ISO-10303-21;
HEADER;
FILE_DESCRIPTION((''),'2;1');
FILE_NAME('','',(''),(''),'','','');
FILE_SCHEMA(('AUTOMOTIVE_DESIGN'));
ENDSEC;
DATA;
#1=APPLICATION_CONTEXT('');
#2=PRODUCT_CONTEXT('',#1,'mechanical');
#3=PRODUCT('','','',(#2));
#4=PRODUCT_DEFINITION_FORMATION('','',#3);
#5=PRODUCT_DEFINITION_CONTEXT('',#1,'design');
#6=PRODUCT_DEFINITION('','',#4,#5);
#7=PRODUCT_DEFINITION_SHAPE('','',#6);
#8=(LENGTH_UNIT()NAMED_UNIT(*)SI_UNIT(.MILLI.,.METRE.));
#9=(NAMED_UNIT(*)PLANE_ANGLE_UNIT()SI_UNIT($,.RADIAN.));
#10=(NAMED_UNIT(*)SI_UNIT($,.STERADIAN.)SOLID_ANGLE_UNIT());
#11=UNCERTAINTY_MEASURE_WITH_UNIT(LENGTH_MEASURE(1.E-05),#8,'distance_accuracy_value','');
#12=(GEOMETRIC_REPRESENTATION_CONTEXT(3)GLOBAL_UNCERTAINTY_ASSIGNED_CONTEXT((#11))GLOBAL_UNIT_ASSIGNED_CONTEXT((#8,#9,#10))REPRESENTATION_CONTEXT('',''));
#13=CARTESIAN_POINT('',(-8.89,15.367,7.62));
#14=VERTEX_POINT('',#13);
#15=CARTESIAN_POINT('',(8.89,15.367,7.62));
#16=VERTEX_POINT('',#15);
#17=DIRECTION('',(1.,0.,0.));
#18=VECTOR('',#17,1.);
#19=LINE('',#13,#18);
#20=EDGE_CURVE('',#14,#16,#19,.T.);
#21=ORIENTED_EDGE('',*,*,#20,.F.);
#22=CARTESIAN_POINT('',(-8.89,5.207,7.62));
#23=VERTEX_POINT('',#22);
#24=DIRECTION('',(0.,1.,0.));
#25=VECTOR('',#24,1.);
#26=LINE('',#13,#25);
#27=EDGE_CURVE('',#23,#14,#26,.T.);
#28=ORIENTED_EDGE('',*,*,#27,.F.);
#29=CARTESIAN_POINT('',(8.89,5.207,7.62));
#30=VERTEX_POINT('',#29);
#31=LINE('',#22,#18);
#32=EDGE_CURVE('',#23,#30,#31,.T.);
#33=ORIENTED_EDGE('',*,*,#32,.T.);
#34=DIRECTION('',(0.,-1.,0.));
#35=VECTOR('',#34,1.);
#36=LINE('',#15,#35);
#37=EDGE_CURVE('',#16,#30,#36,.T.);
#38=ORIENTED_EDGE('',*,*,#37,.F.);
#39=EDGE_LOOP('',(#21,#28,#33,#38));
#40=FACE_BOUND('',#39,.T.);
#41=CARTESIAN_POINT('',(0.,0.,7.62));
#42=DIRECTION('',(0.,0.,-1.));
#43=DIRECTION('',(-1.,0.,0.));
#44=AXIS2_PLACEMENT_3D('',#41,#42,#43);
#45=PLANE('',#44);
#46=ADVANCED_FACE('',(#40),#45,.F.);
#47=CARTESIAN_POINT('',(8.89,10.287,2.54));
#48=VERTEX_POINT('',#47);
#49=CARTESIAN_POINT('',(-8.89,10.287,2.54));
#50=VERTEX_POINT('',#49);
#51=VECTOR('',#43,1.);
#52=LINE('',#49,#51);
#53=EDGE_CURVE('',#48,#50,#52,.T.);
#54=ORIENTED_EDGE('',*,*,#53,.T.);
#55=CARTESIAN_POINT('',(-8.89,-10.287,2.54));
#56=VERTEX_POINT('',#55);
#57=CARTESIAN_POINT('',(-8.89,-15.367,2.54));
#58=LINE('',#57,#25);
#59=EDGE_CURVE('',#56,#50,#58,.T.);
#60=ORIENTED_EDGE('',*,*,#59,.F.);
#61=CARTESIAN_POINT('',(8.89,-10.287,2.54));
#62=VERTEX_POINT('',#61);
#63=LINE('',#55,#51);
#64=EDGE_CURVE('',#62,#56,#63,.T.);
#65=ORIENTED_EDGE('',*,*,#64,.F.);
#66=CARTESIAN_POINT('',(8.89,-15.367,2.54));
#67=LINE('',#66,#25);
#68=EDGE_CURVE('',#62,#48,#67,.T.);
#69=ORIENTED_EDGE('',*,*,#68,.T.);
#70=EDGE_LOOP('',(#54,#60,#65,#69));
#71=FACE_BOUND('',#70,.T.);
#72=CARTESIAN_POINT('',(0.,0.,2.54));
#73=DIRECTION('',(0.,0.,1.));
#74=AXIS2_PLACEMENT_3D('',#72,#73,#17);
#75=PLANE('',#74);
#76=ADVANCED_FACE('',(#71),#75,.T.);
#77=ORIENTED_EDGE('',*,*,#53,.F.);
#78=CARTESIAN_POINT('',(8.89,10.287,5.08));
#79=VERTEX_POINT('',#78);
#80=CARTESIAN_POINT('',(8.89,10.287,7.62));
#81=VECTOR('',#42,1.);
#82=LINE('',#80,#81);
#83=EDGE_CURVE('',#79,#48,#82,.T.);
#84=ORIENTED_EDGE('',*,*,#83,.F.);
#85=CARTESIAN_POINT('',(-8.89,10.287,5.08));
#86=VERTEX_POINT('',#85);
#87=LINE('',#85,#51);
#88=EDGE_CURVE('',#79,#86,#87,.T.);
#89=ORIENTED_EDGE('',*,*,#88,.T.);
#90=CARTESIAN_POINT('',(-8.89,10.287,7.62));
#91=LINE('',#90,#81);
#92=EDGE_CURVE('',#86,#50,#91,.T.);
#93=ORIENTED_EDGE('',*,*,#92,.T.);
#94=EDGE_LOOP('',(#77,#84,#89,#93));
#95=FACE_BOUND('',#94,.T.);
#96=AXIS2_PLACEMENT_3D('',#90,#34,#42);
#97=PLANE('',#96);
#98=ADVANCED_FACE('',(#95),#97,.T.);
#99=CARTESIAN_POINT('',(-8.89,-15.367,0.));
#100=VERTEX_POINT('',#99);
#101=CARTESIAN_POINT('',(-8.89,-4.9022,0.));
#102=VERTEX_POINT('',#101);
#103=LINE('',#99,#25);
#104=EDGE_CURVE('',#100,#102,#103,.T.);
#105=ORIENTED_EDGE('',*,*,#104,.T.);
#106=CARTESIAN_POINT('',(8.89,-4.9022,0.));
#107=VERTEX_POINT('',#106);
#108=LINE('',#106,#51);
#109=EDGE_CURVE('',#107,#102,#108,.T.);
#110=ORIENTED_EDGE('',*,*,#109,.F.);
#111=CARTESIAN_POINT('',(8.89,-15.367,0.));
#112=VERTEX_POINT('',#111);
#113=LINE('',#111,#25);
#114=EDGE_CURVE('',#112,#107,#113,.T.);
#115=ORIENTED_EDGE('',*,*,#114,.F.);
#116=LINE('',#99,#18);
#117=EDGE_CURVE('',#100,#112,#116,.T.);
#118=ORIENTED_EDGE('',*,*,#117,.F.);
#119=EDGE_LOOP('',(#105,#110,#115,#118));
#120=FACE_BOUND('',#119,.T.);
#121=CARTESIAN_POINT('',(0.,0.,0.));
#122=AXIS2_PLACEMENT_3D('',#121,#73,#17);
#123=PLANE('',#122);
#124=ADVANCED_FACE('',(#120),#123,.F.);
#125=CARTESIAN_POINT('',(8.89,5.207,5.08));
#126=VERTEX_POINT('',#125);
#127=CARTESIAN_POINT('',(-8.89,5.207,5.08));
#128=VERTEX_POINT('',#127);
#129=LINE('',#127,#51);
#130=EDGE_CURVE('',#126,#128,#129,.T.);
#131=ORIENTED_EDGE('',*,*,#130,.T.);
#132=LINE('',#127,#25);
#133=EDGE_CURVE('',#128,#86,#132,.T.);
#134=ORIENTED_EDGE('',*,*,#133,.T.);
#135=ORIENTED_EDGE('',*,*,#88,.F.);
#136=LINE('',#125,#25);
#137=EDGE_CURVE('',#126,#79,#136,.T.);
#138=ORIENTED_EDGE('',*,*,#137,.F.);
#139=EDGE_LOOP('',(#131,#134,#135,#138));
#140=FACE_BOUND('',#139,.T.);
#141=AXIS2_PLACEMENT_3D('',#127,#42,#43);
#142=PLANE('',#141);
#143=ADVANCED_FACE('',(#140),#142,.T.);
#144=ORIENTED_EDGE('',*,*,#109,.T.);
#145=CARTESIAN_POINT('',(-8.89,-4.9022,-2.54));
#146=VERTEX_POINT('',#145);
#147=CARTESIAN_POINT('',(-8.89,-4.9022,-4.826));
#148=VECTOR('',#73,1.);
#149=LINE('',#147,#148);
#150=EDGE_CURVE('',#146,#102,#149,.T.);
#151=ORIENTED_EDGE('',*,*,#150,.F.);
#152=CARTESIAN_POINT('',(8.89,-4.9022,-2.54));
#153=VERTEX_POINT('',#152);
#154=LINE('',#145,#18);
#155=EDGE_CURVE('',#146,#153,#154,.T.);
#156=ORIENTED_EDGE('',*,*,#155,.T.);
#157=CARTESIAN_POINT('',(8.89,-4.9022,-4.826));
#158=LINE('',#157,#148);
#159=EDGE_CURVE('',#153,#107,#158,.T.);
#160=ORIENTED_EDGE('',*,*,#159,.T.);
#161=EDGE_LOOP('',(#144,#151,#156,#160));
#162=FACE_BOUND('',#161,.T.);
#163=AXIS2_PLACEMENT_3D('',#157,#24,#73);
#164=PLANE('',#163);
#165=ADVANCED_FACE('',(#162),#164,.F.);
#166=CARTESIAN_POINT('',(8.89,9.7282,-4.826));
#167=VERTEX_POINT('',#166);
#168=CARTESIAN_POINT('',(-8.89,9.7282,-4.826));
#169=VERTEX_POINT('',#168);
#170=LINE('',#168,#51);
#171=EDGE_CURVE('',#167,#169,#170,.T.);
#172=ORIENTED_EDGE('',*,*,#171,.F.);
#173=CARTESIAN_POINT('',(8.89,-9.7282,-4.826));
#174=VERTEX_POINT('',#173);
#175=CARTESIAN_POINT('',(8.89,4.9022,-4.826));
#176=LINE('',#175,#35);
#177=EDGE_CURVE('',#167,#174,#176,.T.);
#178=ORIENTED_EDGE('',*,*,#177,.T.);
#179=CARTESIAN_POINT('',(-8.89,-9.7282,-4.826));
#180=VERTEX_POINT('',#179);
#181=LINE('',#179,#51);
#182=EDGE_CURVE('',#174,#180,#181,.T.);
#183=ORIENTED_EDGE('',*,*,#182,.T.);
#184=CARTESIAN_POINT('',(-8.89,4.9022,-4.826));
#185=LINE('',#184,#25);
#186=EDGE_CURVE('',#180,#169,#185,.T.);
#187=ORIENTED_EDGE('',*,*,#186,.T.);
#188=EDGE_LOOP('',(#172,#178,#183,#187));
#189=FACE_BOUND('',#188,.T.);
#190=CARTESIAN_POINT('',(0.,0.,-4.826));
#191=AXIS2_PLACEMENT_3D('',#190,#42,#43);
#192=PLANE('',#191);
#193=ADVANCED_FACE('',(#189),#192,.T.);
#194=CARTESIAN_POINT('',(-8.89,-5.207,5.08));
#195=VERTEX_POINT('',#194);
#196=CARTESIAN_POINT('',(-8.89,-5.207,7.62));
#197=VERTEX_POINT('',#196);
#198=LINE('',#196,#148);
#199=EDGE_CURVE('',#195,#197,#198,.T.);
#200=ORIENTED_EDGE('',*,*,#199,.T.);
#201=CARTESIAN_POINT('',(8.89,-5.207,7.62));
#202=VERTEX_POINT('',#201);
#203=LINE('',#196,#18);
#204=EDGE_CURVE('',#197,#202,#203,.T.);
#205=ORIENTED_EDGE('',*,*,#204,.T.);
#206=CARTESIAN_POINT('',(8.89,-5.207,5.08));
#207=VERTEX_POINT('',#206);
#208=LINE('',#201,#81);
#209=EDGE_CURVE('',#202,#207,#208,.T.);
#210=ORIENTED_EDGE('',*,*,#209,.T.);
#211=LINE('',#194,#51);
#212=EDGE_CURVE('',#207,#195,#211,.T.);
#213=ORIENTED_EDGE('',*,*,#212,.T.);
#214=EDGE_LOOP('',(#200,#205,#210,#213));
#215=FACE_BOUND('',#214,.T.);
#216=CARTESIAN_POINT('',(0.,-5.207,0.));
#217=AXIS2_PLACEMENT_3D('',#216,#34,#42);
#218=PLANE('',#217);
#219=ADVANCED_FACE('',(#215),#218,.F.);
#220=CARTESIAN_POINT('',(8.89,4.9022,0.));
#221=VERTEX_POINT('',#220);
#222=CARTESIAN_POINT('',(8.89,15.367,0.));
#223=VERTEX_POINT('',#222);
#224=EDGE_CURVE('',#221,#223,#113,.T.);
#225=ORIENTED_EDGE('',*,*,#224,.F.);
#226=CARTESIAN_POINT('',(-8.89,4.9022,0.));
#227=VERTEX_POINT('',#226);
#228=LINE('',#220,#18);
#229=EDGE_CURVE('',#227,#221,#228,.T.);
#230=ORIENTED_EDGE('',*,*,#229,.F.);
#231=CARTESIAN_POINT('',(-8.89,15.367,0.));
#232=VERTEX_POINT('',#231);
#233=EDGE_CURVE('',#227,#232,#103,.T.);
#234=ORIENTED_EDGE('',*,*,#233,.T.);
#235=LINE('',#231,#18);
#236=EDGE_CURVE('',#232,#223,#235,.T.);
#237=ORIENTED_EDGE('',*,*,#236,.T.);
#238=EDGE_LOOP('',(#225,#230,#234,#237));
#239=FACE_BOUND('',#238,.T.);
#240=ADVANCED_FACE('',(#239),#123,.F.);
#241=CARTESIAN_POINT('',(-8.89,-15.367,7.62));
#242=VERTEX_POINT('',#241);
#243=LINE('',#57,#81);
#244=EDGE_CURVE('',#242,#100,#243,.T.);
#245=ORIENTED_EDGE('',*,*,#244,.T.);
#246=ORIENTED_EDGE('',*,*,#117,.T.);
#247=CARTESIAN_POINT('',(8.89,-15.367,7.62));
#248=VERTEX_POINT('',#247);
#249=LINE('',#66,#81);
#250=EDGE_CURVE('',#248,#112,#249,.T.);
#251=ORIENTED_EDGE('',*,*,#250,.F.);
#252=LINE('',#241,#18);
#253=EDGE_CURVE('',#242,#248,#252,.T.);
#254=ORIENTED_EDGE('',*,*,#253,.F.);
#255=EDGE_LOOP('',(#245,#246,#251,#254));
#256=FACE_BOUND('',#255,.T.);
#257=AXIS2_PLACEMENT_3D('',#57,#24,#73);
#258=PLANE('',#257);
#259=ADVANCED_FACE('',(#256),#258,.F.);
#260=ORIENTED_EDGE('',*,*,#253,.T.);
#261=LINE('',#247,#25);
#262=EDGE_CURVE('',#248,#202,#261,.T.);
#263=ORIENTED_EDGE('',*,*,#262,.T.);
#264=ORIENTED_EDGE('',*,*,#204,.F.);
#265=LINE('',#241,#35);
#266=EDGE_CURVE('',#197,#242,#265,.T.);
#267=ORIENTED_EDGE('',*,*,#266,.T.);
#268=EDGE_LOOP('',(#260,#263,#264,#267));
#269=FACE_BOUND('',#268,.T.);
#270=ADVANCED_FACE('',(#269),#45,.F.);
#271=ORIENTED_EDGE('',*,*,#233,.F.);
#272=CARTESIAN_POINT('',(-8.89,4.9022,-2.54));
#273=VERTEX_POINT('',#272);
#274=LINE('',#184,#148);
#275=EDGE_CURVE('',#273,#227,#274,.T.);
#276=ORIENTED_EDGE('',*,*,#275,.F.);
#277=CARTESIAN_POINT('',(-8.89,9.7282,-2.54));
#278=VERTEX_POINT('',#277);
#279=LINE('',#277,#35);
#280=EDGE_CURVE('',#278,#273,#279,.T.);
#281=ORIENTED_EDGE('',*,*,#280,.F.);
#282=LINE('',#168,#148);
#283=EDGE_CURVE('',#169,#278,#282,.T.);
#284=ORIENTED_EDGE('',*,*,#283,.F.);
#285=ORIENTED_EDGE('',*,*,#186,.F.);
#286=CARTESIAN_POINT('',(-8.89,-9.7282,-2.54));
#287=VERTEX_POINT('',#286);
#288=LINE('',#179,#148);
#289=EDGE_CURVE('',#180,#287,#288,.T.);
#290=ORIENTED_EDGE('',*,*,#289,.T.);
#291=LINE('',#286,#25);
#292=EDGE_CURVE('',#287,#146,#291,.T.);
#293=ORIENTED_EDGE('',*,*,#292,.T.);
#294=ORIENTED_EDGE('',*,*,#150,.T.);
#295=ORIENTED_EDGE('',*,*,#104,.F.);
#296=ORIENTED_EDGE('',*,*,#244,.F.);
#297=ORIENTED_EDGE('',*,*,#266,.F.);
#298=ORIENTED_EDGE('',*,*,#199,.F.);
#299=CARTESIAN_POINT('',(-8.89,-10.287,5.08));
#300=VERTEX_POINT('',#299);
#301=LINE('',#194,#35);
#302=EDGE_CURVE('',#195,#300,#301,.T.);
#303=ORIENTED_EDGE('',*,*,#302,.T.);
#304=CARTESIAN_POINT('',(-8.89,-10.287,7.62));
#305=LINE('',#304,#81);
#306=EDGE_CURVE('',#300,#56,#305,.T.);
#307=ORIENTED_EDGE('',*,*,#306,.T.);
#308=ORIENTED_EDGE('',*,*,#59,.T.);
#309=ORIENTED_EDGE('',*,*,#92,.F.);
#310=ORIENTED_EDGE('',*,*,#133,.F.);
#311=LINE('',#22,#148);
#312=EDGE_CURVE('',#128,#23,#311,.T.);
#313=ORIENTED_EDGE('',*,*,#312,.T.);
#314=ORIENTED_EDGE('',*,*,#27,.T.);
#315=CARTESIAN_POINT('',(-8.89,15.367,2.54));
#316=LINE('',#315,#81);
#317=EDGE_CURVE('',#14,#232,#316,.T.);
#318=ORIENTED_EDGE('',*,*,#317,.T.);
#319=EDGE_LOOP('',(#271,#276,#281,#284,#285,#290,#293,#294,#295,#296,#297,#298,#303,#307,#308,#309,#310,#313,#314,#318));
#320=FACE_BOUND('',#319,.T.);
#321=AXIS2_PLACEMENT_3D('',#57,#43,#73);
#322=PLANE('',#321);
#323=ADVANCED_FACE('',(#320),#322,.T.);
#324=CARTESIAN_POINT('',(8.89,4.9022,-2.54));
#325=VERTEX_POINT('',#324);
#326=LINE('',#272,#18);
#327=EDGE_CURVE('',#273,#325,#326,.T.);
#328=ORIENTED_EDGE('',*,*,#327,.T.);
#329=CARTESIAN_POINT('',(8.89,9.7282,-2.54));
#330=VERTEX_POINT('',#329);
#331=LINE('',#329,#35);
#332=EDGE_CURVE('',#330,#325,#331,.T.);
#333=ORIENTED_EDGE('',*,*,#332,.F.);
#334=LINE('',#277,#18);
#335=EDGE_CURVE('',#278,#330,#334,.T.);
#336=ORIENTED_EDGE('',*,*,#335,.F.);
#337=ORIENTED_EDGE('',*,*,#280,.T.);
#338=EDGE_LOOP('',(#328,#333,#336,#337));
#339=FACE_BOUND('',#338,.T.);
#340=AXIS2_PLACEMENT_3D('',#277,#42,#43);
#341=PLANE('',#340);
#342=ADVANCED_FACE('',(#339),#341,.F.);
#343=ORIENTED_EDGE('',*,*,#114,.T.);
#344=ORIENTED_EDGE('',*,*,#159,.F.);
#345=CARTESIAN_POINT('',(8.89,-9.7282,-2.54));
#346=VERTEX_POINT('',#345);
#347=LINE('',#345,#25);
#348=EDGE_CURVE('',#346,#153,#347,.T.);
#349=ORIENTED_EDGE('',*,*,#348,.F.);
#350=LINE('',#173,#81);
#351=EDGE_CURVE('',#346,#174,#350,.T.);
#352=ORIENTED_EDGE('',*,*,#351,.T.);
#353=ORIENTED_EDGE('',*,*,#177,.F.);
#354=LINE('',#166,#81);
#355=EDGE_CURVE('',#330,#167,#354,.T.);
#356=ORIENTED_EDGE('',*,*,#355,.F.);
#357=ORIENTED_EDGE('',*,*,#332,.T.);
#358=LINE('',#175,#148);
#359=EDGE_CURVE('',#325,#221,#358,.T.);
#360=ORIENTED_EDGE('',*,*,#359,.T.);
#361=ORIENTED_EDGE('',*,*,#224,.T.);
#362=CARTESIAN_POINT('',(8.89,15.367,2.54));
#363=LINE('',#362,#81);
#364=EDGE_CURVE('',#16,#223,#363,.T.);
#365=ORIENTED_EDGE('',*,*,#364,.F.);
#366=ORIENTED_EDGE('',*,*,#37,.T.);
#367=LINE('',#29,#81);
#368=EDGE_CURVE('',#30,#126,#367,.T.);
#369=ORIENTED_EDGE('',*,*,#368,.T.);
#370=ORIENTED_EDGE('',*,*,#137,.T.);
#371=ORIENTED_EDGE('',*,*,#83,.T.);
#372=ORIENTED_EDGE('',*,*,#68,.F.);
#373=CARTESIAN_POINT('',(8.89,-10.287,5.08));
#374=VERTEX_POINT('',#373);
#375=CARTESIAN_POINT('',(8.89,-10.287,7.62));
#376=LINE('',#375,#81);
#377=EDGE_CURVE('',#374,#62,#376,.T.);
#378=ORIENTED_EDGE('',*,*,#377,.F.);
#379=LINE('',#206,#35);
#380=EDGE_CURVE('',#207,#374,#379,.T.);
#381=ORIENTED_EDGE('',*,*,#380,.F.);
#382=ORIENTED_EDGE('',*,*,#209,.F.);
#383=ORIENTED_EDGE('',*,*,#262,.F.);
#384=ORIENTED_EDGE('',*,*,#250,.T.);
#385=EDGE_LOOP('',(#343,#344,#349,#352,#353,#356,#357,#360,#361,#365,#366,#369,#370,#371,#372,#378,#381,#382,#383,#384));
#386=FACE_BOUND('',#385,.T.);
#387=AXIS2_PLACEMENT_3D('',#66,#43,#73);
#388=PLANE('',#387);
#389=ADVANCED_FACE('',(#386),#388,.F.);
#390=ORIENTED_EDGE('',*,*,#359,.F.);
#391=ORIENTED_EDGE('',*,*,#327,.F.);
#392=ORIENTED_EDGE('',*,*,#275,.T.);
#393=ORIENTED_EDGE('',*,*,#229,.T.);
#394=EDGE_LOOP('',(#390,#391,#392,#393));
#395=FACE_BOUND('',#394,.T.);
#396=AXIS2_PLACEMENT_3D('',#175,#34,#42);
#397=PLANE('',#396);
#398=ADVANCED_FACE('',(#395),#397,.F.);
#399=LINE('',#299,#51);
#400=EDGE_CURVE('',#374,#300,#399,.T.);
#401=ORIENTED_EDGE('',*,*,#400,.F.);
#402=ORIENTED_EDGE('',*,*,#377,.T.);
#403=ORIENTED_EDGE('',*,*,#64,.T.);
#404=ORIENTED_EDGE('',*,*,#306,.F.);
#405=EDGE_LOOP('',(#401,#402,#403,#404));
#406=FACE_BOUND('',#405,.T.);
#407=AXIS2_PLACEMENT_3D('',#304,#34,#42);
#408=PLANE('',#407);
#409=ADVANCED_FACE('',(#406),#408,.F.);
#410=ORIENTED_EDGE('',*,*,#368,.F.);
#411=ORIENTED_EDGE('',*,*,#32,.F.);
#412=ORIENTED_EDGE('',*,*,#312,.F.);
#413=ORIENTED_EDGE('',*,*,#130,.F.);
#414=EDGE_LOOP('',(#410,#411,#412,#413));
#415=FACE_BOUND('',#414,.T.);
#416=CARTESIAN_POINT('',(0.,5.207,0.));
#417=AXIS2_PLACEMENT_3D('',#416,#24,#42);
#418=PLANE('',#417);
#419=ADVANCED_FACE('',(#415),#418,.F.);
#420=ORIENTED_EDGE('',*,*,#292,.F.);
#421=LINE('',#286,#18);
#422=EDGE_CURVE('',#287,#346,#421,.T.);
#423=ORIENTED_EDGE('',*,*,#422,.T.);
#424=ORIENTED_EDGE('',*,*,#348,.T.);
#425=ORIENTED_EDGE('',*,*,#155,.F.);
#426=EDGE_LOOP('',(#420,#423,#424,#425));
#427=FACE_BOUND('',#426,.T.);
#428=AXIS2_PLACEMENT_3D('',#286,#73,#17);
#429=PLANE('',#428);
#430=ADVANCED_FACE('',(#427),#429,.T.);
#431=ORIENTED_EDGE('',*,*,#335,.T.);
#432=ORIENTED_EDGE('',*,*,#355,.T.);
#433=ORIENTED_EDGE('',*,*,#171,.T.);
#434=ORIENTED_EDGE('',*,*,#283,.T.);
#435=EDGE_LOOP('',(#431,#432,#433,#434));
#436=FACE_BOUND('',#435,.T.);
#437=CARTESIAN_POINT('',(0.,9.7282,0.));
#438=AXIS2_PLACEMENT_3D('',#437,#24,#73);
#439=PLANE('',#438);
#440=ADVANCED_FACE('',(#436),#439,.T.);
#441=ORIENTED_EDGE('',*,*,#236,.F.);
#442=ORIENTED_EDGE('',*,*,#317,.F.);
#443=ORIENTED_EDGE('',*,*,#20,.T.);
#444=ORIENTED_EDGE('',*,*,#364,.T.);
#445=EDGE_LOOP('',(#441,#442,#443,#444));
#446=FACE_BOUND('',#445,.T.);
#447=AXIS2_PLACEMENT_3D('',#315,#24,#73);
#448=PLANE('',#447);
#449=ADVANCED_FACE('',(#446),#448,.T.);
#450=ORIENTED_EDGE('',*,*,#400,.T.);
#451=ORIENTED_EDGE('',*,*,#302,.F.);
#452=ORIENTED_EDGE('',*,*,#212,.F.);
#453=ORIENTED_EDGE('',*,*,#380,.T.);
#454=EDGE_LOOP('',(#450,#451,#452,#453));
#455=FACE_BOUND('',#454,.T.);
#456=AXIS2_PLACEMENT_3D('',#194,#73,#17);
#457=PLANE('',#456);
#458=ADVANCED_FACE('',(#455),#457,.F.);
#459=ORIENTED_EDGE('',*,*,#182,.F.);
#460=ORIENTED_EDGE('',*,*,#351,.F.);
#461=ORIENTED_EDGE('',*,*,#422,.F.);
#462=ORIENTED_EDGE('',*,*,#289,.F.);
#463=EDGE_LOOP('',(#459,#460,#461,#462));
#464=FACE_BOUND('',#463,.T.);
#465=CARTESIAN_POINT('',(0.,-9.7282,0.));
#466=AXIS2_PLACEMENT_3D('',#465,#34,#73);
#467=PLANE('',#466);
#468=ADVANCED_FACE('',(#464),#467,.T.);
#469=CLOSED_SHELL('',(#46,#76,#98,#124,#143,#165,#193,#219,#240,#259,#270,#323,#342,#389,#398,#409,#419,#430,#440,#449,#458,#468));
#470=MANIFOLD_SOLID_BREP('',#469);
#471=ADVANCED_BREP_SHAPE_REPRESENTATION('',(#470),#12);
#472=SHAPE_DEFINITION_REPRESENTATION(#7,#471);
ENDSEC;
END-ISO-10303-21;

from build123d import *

# Parameters (mm, degrees)
SKETCH1_W           = 17.78
SKETCH1_H           = 30.734
BOSS_EXTRUDE1_DEPTH = 2.54
SKETCH2_W           = 17.78
SKETCH2_H           = 5.08
BOSS_EXTRUDE2_DEPTH = 5.08
SKETCH3_W           = 17.78
SKETCH3_H           = 2.54
BOSS_EXTRUDE3_DEPTH = 5.08
SKETCH4_W           = 17.78
SKETCH4_H           = 9.8044
BOSS_EXTRUDE4_DEPTH = 4.826
SKETCH5_W           = 17.78
SKETCH5_H           = 2.286
BOSS_EXTRUDE5_DEPTH = 4.826


with BuildPart() as part:
    # Sketch1 → Boss-Extrude1 (new body)
    with BuildSketch(Plane.XY):
        Rectangle(SKETCH1_W, SKETCH1_H)
    extrude(amount=BOSS_EXTRUDE1_DEPTH)

    # Sketch2 → Boss-Extrude2 (add)
    with BuildSketch(Plane.XY.offset(2.54)):
        with Locations((0, -12.827)):
            Rectangle(SKETCH2_W, SKETCH2_H)
    boss_extrude2 = extrude(amount=BOSS_EXTRUDE2_DEPTH)

    # Sketch3 → Boss-Extrude3 (add)
    with BuildSketch(Plane(origin=(0, -10.287, 0), x_dir=(1, 0, 0), z_dir=(0, 1, 0))):
        with Locations((0, -6.35)):
            Rectangle(SKETCH3_W, SKETCH3_H)
    boss_extrude3 = extrude(amount=BOSS_EXTRUDE3_DEPTH)

    # Mirror1: Boss-Extrude2, Boss-Extrude3 across plane
    add(boss_extrude2.mirror(Plane.ZX))
    add(boss_extrude3.mirror(Plane.ZX))

    # Sketch4 → Boss-Extrude4 (add)
    with BuildSketch(Plane(origin=(0, 0, 0), x_dir=(-1, 0, 0), z_dir=(0, 0, -1))):
        Rectangle(SKETCH4_W, SKETCH4_H)
    boss_extrude4 = extrude(amount=BOSS_EXTRUDE4_DEPTH)

    # Sketch5 → Boss-Extrude5 (add)
    with BuildSketch(Plane(origin=(0, 4.9022, 0), x_dir=(1, 0, 0), z_dir=(0, 1, 0))):
        with Locations((0, 3.683)):
            Rectangle(SKETCH5_W, SKETCH5_H)
    boss_extrude5 = extrude(amount=BOSS_EXTRUDE5_DEPTH)

    # Mirror2: Boss-Extrude4, Boss-Extrude5 across plane
    add(boss_extrude4.mirror(Plane.ZX))
    add(boss_extrude5.mirror(Plane.ZX))


solid = part.part
